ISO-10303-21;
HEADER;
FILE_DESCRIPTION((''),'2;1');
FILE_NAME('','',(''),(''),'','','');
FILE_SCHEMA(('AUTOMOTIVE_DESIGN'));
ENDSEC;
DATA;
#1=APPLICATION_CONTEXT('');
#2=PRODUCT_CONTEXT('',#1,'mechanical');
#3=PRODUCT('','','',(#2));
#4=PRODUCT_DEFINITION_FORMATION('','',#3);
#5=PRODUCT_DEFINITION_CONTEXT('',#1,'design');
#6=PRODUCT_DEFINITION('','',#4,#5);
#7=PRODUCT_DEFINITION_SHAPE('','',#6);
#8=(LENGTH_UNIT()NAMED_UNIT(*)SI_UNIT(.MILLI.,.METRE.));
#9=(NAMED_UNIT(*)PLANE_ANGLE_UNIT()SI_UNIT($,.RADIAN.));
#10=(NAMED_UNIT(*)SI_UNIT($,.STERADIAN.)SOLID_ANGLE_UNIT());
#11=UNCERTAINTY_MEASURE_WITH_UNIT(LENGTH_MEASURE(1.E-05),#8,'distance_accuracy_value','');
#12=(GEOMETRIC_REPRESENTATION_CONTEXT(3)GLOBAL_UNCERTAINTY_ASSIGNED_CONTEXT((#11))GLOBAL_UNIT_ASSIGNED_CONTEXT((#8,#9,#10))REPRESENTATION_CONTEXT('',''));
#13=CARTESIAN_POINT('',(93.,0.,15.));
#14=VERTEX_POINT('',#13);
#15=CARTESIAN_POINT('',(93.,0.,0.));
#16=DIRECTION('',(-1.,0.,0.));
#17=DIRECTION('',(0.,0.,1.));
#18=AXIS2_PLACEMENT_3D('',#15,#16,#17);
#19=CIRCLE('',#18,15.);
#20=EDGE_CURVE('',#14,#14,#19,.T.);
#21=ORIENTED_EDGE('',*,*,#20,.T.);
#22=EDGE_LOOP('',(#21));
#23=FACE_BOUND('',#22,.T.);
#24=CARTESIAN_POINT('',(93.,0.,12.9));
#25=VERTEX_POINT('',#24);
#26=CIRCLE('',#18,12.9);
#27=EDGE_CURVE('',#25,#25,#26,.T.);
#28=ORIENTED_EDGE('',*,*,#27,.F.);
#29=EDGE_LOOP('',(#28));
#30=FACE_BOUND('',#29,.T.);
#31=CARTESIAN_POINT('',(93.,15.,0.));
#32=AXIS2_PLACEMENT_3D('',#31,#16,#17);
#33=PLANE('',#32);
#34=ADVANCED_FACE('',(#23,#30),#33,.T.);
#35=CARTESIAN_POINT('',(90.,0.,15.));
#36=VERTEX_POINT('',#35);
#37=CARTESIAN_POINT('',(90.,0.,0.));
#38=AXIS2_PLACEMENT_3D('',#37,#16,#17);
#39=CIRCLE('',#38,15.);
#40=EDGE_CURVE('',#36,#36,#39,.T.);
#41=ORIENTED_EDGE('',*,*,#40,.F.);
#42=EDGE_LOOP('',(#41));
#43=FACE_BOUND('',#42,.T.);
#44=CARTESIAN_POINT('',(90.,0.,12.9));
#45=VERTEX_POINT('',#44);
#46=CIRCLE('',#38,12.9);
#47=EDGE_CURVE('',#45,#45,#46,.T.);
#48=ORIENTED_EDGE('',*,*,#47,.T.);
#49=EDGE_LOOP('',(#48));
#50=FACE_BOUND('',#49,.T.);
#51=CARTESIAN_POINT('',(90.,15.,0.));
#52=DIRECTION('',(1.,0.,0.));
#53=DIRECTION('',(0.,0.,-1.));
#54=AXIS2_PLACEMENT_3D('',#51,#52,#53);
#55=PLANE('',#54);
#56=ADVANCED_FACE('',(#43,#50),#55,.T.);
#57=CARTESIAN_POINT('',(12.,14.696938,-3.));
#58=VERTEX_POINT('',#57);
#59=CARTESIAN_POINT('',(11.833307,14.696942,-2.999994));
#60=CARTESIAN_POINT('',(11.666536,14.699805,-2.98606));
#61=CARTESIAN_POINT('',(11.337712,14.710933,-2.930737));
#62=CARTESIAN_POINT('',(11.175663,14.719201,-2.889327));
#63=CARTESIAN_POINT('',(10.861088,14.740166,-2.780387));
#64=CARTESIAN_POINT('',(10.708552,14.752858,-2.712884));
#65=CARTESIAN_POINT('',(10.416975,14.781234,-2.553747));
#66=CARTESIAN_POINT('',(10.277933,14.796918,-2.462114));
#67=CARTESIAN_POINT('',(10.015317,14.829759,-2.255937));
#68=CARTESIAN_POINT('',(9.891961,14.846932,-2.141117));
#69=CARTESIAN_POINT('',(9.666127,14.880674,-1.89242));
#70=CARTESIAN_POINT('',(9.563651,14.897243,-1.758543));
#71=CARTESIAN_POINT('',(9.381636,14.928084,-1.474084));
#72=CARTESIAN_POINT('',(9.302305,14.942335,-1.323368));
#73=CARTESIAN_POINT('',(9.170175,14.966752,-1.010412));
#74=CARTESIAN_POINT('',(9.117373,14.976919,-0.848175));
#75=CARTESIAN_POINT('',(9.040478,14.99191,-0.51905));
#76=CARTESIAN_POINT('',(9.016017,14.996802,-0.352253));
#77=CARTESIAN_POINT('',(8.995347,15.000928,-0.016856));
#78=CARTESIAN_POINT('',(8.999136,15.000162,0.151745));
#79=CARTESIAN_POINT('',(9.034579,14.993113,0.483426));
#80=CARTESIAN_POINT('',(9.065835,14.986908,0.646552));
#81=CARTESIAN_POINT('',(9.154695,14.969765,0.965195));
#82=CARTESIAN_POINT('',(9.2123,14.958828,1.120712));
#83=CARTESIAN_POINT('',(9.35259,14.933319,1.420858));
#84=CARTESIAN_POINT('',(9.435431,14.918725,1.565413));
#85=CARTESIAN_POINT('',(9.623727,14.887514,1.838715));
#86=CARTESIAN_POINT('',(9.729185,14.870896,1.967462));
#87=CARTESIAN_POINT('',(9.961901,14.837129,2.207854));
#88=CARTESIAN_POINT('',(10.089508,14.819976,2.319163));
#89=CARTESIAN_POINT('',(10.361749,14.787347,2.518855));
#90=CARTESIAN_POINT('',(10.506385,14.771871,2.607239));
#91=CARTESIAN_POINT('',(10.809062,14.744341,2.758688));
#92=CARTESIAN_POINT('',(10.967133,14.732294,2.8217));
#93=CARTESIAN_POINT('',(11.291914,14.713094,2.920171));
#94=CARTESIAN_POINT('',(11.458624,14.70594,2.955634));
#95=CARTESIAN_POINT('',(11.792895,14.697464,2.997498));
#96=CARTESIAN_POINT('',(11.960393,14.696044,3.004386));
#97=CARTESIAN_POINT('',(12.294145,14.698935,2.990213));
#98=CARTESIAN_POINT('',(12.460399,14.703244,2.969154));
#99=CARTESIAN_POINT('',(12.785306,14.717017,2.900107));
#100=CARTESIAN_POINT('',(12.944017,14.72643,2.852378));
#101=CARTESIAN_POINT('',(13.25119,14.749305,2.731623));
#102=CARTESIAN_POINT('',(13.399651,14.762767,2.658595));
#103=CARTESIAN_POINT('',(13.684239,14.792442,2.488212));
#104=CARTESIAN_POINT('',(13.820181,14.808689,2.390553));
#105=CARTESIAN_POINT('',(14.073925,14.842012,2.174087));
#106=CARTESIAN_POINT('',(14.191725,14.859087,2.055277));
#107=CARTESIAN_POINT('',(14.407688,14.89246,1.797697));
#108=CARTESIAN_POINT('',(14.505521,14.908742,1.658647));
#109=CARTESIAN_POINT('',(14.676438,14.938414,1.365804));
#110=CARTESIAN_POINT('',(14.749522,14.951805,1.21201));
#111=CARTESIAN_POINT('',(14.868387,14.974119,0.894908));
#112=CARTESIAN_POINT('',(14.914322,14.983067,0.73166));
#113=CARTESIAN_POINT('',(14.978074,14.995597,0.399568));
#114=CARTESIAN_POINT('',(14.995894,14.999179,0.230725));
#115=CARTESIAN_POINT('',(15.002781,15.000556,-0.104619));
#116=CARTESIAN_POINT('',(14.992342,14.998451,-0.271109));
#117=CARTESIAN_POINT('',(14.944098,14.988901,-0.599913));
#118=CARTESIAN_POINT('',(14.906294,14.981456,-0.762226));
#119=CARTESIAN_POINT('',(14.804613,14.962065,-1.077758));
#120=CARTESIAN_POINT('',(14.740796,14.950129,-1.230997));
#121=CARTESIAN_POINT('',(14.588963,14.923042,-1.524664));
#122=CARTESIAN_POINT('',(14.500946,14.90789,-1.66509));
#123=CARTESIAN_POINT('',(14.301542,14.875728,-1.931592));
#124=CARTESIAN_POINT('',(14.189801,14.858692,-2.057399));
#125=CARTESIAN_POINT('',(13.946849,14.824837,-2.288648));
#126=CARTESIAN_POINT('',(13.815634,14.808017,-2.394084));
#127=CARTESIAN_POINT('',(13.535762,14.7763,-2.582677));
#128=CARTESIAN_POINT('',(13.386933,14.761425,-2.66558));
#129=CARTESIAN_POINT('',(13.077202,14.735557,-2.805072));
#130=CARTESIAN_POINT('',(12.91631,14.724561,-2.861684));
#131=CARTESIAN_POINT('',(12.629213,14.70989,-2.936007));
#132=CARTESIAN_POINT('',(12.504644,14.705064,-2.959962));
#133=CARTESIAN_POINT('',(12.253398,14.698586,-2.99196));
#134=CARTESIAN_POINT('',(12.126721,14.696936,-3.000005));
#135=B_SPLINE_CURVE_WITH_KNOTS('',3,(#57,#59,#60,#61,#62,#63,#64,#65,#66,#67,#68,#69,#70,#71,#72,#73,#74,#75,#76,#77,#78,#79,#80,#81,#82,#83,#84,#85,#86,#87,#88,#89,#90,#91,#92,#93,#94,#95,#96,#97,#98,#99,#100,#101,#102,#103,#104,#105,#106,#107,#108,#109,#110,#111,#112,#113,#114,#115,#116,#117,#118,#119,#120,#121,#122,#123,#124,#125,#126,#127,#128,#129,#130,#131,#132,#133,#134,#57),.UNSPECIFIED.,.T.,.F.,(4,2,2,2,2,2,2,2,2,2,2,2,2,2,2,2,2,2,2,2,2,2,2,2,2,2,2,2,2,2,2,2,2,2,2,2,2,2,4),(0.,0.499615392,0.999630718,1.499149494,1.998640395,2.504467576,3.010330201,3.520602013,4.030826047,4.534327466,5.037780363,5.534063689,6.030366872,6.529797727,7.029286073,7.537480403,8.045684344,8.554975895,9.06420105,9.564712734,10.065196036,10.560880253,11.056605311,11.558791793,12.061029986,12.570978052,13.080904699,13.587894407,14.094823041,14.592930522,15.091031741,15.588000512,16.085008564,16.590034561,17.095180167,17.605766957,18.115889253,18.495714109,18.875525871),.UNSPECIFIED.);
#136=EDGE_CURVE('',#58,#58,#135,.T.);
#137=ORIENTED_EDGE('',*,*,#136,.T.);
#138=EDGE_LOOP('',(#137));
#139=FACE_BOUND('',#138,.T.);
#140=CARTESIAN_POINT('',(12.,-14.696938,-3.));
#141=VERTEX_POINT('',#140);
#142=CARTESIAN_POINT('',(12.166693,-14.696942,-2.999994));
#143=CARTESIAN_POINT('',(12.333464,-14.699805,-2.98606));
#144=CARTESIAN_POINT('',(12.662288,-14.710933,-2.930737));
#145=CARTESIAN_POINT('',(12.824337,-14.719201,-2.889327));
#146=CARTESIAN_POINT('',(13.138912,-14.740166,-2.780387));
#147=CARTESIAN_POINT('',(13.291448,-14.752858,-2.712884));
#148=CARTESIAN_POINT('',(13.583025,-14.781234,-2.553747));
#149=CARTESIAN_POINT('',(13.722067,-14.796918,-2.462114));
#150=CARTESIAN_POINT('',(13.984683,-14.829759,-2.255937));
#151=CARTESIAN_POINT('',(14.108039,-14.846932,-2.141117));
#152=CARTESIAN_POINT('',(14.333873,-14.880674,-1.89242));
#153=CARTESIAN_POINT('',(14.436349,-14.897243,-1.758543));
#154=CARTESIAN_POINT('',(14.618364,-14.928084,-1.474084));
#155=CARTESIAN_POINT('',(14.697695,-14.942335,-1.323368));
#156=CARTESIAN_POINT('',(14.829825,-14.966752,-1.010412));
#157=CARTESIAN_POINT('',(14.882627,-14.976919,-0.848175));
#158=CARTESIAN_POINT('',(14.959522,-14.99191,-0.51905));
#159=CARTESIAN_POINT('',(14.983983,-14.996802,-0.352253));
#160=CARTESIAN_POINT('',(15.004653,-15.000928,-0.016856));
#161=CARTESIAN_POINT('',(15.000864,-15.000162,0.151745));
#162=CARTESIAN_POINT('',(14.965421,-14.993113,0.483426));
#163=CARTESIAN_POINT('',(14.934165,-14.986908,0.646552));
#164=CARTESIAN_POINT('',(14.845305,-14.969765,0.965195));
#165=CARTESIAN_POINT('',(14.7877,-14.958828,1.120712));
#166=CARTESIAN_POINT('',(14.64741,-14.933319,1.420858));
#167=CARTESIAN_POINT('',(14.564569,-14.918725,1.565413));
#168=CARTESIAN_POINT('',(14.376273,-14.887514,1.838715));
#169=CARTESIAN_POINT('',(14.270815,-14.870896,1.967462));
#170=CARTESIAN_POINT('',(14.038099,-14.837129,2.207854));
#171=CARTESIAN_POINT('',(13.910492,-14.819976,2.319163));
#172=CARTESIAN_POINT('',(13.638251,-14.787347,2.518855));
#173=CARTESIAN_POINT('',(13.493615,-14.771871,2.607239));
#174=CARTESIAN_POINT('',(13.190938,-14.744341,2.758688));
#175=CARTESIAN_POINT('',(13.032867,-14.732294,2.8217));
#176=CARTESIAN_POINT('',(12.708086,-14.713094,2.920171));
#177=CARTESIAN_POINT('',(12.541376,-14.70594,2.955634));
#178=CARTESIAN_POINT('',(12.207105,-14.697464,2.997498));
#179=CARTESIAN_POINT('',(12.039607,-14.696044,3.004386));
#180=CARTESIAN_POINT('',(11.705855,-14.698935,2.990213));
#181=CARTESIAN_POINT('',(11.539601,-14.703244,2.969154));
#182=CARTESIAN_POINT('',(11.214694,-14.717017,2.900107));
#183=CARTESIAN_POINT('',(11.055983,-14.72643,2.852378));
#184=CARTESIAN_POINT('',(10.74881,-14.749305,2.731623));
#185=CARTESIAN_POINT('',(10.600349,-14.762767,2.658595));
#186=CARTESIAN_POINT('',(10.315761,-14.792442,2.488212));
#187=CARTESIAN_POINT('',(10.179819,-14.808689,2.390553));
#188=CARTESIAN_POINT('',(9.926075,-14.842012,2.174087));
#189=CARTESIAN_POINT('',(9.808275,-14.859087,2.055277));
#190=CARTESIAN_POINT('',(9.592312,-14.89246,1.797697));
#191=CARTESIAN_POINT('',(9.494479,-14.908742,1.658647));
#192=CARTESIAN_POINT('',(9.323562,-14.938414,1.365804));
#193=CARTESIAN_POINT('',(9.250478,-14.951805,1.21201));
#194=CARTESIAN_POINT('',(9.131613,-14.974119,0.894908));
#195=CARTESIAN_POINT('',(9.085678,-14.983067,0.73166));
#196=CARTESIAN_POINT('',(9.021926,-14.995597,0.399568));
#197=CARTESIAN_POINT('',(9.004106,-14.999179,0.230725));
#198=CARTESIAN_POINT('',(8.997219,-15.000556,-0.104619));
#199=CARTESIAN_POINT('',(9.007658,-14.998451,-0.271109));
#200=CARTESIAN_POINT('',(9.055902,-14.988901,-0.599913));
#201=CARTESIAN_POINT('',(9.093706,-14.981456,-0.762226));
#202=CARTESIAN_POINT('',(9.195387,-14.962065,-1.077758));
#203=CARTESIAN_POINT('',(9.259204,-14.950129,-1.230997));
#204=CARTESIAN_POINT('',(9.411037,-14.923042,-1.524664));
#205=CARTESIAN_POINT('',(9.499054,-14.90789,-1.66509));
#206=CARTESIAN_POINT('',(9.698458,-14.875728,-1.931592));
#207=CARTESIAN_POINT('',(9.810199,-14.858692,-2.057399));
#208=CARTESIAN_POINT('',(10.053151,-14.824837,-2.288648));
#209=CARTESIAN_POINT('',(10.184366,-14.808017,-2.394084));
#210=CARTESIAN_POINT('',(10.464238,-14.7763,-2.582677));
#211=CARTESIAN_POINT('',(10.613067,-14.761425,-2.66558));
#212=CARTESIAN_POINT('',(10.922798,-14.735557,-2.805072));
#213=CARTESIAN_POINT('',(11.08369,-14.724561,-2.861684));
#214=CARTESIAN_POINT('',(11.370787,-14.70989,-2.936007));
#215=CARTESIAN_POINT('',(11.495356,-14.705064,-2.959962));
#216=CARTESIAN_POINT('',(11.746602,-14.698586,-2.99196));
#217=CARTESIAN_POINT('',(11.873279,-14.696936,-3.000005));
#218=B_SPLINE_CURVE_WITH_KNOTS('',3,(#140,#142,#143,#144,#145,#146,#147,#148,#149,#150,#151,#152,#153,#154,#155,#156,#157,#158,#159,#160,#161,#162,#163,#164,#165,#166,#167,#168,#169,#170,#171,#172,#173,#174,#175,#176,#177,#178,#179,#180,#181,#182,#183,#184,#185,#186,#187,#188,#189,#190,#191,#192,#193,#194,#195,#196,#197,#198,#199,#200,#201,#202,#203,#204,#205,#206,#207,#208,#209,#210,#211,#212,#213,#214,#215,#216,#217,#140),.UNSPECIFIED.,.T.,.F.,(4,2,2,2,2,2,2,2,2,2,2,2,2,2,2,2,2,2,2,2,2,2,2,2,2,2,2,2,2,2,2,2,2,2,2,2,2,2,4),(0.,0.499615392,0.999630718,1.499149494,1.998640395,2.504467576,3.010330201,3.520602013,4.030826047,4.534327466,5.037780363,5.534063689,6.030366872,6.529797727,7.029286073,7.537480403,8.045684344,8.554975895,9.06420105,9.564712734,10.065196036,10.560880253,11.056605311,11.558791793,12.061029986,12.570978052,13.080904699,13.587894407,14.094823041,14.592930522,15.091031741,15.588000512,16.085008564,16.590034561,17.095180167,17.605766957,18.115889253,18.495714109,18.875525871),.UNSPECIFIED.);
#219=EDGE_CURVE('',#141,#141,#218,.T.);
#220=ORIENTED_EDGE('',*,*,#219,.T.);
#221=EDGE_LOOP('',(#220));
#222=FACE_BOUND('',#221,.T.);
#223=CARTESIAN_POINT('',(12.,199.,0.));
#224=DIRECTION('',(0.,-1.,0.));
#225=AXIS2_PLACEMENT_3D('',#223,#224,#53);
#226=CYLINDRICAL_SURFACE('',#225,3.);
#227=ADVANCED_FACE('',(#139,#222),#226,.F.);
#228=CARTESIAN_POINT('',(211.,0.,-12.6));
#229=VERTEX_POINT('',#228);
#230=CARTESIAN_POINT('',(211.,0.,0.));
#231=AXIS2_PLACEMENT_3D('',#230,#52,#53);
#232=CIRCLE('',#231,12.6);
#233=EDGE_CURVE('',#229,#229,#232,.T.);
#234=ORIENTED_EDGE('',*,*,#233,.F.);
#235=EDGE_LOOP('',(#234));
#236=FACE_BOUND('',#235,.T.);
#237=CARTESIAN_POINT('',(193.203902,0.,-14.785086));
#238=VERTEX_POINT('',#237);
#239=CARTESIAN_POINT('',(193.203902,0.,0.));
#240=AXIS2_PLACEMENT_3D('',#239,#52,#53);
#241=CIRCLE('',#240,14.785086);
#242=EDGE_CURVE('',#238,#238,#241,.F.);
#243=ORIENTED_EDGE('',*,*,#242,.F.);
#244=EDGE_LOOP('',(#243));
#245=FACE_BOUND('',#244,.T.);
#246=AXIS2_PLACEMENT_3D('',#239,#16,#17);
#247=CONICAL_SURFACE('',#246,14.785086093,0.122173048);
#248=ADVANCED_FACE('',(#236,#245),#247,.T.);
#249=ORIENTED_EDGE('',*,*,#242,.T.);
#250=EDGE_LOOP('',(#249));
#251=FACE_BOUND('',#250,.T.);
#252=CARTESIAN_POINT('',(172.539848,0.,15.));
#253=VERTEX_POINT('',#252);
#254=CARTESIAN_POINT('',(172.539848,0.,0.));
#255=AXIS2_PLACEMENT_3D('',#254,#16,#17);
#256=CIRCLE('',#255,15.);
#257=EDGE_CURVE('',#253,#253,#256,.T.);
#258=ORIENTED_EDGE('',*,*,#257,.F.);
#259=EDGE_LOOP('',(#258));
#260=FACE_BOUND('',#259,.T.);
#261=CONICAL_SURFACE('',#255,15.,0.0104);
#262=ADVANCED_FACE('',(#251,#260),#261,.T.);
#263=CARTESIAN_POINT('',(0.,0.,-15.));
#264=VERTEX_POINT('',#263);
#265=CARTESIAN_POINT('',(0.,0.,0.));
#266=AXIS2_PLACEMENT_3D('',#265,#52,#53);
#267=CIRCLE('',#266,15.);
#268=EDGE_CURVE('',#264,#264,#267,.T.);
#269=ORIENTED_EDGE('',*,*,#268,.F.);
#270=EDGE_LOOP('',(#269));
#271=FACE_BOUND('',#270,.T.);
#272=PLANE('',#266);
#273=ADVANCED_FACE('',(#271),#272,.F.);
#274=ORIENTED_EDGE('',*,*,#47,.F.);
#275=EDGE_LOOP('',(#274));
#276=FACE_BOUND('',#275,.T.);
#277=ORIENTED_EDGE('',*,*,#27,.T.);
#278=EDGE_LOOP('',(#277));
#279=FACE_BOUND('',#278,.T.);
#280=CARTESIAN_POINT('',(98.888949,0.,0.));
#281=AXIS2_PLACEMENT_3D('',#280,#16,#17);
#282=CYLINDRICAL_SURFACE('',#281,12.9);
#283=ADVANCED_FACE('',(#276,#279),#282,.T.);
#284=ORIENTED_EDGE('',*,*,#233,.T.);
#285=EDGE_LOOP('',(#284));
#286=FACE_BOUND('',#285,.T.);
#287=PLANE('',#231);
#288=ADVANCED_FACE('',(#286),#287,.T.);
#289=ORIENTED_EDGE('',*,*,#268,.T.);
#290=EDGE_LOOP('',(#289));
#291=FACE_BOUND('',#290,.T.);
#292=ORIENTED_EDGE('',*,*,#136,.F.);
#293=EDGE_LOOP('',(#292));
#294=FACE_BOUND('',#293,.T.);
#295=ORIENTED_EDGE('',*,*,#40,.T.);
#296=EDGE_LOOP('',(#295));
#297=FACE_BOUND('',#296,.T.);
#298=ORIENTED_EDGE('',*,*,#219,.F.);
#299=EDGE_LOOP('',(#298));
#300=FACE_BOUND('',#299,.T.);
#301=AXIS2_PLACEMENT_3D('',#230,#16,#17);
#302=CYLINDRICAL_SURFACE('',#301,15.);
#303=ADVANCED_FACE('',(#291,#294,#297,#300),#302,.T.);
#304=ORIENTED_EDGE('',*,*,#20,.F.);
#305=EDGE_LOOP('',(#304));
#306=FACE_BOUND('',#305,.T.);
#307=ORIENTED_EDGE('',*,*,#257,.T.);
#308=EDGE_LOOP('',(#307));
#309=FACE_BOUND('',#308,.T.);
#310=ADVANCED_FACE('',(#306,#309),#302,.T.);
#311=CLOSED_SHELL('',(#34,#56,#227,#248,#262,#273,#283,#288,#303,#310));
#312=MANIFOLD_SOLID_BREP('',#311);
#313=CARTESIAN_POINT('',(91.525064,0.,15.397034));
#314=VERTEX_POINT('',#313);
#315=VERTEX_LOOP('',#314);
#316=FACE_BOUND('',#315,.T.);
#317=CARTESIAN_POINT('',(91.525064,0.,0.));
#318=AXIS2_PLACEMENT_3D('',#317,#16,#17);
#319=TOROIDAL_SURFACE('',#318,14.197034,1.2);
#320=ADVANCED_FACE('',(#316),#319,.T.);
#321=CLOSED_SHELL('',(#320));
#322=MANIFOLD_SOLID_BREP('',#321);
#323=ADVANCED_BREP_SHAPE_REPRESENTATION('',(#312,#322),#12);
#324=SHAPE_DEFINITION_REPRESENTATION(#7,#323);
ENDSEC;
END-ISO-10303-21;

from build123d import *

# Parameters (mm, degrees)
SKETCH1_R               = 15
BOSS_EXTRUDE1_DEPTH     = 211
CUT_EXTRUDE1_DEPTH      = 199
CUT_EXTRUDE1_DEPTH_BACK = 199
SKETCH2_R               = 3
CHAMFER1_SIZE           = 2
CHAMFER1_SIZE2          = 17.797060577
SKETCH4_W               = 3
SKETCH4_H               = 2.1
SKETCH5_R               = 1.2


with BuildPart() as part:
    # Sketch1 → Boss-Extrude1 (new body)
    with BuildSketch(Plane(origin=(0, 0, 0), x_dir=(0, 0, -1), z_dir=(1, 0, 0))):
        Circle(SKETCH1_R)
    extrude(amount=BOSS_EXTRUDE1_DEPTH)

    # Sketch2 → Cut-Extrude1 (cut, two sides: drawn at the far end of the back side and taken through both)
    with BuildSketch(Plane(origin=(0, 0, 0), x_dir=(1, 0, 0), z_dir=(0, 1, 0)).offset(-CUT_EXTRUDE1_DEPTH_BACK)):
        with Locations((12, 0)):
            Circle(SKETCH2_R)
    extrude(amount=CUT_EXTRUDE1_DEPTH + CUT_EXTRUDE1_DEPTH_BACK, mode=Mode.SUBTRACT)

    # Sketch3 → Cut-Revolve1 (revolve, cut)
    with BuildSketch(Plane.XY):
        Polygon((172.539848215, 15), (211, 14.6), (211, 15), align=None)
    revolve(axis=Axis((-16.667953377, 0, 0), (1, 0, 0)), mode=Mode.SUBTRACT)

    # Chamfer1
    chamfer1_edges = [part.edges().sort_by_distance(p)[0] for p in [
        (211, -14.6, 0),
    ]]
    chamfer1_side = [part.faces().sort_by_distance(p)[0] for p in [
        (211, 0, 0),
    ]]
    chamfer(chamfer1_edges, length=CHAMFER1_SIZE, length2=CHAMFER1_SIZE2, reference=chamfer1_side[0])

    # Sketch4 → Cut-Revolve2 (revolve, cut)
    with BuildSketch(Plane.XY):
        with Locations((91.5, 13.95)):
            Rectangle(SKETCH4_W, SKETCH4_H)
    revolve(axis=Axis((98.888949173, 0, 0), (1, 0, 0)), mode=Mode.SUBTRACT)


with BuildPart() as body_2:
    # Sketch5 → Revolve1 (revolve)
    with BuildSketch(Plane.XY):
        with Locations((91.525064223, 14.197033875)):
            Circle(SKETCH5_R)
    revolve(axis=Axis((65.206032182, 0, 0), (1, 0, 0)))


solid = Compound([part.part, body_2.part])
